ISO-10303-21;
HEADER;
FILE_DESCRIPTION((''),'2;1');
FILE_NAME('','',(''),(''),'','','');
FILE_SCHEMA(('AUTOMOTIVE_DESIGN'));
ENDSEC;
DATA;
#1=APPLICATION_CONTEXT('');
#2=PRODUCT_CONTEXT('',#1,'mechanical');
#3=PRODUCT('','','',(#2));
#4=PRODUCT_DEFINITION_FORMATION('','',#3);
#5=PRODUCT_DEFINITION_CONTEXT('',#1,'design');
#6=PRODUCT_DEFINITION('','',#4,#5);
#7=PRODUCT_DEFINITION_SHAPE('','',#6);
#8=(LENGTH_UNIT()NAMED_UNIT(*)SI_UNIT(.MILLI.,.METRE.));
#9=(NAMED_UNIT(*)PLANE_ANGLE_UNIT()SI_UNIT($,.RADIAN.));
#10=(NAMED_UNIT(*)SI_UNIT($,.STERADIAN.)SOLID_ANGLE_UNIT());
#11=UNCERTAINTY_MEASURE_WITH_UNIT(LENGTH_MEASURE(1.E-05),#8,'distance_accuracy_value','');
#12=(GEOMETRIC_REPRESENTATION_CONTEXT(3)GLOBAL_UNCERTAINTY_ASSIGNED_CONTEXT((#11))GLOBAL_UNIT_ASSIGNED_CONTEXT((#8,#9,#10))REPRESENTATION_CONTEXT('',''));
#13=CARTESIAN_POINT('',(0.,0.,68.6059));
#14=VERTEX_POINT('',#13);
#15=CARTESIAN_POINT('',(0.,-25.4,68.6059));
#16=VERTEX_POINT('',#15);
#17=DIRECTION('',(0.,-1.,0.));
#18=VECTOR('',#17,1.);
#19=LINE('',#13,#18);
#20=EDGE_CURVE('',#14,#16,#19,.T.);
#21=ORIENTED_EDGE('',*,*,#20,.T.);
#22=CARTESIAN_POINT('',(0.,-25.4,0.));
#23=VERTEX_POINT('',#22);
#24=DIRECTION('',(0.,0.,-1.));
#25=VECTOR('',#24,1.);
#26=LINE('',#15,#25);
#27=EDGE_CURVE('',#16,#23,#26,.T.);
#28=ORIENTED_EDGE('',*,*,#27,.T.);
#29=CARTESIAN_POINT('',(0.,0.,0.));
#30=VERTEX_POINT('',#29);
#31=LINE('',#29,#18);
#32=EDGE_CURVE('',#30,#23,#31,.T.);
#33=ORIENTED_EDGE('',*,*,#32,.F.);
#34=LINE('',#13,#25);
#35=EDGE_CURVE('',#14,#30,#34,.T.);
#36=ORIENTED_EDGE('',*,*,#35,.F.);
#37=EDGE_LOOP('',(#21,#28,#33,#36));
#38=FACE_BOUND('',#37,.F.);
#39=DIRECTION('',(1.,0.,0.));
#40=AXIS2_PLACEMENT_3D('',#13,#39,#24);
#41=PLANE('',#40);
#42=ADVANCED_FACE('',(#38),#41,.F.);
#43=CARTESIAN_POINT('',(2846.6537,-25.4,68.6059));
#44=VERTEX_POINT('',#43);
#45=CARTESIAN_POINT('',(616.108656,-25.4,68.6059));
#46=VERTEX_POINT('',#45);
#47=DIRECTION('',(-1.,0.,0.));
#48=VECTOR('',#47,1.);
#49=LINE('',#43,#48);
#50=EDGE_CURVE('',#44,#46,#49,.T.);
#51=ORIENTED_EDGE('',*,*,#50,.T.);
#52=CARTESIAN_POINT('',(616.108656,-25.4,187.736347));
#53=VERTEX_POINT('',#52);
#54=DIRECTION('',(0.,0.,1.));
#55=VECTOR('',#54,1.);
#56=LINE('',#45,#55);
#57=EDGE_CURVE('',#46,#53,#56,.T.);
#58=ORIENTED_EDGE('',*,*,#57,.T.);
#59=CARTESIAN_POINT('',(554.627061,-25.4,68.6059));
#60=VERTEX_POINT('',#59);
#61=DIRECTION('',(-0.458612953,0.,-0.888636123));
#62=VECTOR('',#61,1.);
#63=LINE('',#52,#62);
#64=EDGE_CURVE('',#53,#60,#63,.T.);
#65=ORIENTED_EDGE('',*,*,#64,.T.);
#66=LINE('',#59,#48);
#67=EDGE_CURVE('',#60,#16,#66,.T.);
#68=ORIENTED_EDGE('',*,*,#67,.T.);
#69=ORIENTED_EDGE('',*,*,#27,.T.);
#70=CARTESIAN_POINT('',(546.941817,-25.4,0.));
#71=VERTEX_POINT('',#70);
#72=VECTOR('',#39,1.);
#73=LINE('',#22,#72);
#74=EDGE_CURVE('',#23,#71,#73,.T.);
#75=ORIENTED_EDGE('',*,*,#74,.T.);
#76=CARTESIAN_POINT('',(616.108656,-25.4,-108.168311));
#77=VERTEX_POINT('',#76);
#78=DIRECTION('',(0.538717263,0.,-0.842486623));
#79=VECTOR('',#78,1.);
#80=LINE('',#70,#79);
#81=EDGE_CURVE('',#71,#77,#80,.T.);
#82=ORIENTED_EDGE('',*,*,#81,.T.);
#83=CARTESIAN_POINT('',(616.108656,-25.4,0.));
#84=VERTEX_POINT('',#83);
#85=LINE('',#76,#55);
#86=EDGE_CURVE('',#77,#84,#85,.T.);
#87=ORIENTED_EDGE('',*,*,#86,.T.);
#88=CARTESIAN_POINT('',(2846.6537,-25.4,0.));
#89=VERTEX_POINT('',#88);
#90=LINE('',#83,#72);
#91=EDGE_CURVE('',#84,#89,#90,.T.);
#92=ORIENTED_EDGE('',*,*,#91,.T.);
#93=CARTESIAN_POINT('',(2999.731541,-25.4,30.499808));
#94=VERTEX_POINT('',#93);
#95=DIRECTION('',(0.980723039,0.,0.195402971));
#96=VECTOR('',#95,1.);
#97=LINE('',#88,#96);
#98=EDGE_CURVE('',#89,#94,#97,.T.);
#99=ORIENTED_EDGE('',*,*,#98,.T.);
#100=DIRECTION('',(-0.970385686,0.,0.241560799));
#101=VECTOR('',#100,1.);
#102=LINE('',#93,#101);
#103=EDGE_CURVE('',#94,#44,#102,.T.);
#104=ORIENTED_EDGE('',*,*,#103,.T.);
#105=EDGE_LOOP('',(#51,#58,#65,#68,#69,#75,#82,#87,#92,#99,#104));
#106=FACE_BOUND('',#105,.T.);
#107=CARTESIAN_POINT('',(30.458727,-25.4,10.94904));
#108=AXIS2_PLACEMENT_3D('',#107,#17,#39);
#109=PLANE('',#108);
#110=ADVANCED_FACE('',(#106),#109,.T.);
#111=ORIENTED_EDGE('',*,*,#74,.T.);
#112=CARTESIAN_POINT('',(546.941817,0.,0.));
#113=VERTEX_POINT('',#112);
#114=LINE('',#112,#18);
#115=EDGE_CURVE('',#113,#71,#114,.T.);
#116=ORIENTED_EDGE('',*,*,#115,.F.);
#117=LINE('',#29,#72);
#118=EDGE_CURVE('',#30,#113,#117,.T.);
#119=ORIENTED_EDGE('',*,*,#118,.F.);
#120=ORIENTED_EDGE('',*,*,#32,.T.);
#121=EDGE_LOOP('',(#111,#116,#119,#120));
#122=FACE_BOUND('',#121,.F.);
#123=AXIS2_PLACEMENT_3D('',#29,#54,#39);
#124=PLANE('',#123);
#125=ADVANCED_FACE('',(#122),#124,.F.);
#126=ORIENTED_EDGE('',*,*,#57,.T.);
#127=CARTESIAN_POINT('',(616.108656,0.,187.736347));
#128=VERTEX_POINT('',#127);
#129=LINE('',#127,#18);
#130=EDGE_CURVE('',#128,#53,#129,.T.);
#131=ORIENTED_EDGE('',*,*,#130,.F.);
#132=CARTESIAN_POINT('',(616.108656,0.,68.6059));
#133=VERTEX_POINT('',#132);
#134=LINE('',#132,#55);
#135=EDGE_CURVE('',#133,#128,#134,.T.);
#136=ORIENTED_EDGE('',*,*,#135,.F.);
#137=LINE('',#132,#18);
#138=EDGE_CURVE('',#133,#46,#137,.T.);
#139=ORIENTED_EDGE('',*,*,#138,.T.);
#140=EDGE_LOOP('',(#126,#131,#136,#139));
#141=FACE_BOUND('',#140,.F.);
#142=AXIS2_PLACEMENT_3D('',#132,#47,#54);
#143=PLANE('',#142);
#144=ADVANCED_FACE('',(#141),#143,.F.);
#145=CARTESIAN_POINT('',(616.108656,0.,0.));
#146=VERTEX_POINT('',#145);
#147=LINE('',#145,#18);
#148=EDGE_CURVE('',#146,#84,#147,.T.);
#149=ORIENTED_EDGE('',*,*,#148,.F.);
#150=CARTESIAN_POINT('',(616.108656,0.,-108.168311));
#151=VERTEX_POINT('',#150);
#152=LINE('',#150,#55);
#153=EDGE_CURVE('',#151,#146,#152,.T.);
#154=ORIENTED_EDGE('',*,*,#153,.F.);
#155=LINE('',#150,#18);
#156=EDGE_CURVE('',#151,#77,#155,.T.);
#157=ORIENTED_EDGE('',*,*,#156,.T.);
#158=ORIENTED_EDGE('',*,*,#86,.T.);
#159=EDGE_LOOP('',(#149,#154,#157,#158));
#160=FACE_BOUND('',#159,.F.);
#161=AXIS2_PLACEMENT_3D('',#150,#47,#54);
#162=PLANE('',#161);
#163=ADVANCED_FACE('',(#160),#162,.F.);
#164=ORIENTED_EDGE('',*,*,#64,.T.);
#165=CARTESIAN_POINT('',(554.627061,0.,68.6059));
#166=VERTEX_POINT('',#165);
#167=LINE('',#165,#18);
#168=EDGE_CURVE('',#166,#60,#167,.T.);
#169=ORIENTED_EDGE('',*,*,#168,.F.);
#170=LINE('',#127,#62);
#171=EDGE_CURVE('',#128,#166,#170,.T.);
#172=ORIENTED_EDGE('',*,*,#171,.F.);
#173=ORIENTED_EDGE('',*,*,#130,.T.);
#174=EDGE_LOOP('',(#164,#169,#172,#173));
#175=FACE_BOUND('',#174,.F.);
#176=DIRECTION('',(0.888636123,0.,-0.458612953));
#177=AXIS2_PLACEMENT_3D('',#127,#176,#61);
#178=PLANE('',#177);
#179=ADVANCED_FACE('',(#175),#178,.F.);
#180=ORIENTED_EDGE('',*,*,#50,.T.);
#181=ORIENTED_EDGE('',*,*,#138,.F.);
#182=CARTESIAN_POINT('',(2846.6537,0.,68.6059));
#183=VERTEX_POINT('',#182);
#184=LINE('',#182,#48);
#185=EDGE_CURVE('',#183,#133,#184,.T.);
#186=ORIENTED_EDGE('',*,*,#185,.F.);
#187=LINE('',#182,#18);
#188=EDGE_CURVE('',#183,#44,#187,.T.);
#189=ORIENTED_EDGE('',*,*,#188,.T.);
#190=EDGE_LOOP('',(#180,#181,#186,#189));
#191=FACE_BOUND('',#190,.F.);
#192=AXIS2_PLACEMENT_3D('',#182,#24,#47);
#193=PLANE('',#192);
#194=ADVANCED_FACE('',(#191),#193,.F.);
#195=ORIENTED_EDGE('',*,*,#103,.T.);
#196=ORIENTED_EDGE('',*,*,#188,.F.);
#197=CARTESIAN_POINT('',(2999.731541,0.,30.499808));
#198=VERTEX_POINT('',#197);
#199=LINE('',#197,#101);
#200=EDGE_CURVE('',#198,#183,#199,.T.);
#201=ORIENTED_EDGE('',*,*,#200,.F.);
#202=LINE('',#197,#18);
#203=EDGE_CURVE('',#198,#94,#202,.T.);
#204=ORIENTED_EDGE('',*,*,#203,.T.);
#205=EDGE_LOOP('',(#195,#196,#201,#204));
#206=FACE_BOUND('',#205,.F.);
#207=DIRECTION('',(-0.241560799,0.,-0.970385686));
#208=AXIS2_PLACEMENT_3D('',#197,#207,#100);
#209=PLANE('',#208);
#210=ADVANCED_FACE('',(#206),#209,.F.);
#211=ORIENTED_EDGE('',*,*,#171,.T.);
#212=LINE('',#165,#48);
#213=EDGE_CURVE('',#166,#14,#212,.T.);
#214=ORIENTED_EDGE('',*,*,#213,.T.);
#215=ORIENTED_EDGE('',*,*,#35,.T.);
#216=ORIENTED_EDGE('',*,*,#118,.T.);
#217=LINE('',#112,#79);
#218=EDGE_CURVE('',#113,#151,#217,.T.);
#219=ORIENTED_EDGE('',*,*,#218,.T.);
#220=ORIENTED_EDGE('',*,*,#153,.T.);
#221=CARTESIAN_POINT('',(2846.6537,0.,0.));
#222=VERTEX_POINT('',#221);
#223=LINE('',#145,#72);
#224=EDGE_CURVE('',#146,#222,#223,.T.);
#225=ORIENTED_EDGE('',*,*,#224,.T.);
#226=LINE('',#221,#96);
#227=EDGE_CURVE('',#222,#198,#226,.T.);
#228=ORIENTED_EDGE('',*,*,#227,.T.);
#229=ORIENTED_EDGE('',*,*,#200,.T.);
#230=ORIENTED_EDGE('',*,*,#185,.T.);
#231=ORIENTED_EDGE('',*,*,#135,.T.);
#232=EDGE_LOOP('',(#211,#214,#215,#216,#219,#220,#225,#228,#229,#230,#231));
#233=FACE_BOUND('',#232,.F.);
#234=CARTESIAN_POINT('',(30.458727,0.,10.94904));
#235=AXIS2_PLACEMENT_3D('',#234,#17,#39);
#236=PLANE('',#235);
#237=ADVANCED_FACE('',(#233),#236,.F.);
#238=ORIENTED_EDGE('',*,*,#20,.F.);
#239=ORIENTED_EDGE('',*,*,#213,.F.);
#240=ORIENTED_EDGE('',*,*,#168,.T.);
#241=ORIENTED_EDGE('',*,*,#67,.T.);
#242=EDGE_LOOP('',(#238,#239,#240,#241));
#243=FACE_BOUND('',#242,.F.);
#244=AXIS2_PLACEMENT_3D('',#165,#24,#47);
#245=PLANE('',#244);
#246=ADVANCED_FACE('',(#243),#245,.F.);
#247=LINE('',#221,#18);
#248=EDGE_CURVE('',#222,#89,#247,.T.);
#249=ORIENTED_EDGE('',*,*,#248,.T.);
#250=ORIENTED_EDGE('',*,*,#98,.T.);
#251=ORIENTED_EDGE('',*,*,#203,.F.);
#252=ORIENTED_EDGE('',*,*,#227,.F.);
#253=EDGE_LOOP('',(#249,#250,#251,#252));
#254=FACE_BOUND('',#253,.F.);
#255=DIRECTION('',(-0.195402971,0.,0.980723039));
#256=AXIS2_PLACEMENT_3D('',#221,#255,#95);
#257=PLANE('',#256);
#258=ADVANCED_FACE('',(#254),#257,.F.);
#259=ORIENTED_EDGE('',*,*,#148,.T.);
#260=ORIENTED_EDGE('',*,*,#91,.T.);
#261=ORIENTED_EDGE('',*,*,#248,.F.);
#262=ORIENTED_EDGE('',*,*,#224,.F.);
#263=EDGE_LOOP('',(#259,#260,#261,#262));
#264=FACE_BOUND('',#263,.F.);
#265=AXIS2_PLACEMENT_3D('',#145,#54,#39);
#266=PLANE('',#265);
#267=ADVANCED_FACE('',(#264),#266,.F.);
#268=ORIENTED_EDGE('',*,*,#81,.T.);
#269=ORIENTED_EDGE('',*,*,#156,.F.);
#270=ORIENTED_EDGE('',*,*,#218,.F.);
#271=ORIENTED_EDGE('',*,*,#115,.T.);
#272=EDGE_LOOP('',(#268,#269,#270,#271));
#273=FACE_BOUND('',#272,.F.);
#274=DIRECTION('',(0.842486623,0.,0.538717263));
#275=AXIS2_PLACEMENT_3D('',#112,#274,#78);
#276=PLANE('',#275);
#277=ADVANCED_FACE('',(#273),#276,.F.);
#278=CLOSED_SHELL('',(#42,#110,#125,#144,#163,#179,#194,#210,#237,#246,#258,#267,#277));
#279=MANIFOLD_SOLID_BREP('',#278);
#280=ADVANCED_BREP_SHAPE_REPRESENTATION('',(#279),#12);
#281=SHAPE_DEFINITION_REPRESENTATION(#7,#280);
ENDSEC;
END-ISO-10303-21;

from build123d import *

# Parameters (mm, degrees)
F1_DEPTH = 25.4


with BuildPart() as f1:
    # F0 (on Front) → F1 (new body)
    with BuildSketch(Plane.XZ):
        Polygon((29.1372302365, 36.0923338064), (0, 0), (61.4815950394, 0), align=None)
        Polygon((0, 68.6058998108), (0, 0), (29.1372302365, 36.0923338064), align=None)
        Polygon((92.1983955783, 27.5270479194), (61.4815950394, 0), (116.8669272567, 0), align=None)
        Polygon((29.1372302365, 36.0923338064), (61.4815950394, 0), (92.1983955783, 27.5270479194), (55.3853322174, 68.6058998108), align=None)
        Polygon((55.3853322174, 68.6058998108), (0, 68.6058998108), (29.1372302365, 36.0923338064), align=None)
        Polygon((162.7058745938, 41.0788518914), (116.8669272567, 0), (199.5189379547, 0), align=None)
        Polygon((92.1983955783, 27.5270479194), (116.8669272567, 0), (162.7058745938, 41.0788518914), (138.0373429154, 68.6058998108), align=None)
        Polygon((55.3853322174, 68.6058998108), (92.1983955783, 27.5270479194), (138.0373429154, 68.6058998108), align=None)
        Polygon((242.5688602068, 38.5794500717), (199.5189379547, 0), (305.7142806531, 0), align=None)
        Polygon((162.7058745938, 41.0788518914), (199.5189379547, 0), (242.5688602068, 38.5794500717), (193.4226751328, 68.6058998108), align=None)
        Polygon((138.0373429154, 68.6058998108), (162.7058745938, 41.0788518914), (193.4226751328, 68.6058998108), align=None)
        Polygon((333.859313772, 29.9515474522), (305.7142806531, 0), (378.6340653896, 0), align=None)
        Polygon((242.5688602068, 38.5794500717), (305.7142806531, 0), (333.859313772, 29.9515474522), (276.0746858307, 68.6058998108), align=None)
        Polygon((193.4226751328, 68.6058998108), (242.5688602068, 38.5794500717), (276.0746858307, 68.6058998108), align=None)
        Polygon((411.678229068, 29.6127285742), (378.6340653896, 0), (443.1916773319, 0), align=None)
        Polygon((333.859313772, 29.9515474522), (378.6340653896, 0), (411.678229068, 29.6127285742), (370.1822459698, 68.6058998108), align=None)
        Polygon((276.0746858307, 68.6058998108), (333.859313772, 29.9515474522), (370.1822459698, 68.6058998108), align=None)
        Polygon((500.0920428106, 35.0310704605), (443.1916773319, 0), (546.9418168068, 0), align=None)
        Polygon((411.678229068, 29.6127285742), (443.1916773319, 0), (500.0920428106, 35.0310704605), (455.1898132656, 68.6058998108), align=None)
        Polygon((370.1822459698, 68.6058998108), (411.678229068, 29.6127285742), (455.1898132656, 68.6058998108), align=None)
        Polygon((583.5595663031, 36.3207815349), (546.9418168068, 0), (616.1086559296, 0), align=None)
        Polygon((616.1086559296, 0), (546.9418168068, 0), (616.1086559296, -108.1683114171), align=None)
        Polygon((500.0920428106, 35.0310704605), (546.9418168068, 0), (554.6270608902, 68.6058998108), align=None)
        Polygon((554.6270608902, 68.6058998108), (546.9418168068, 0), (583.5595663031, 36.3207815349), align=None)
        Polygon((455.1898132656, 68.6058998108), (500.0920428106, 35.0310704605), (554.6270608902, 68.6058998108), align=None)
        Polygon((583.5595663031, 36.3207815349), (616.1086559296, 0), (616.1086559296, 68.6058998108), align=None)
        Polygon((616.1086559296, 68.6058998108), (616.1086559296, 0), (2846.6536998749, 0), (2999.7315406799, 30.4998084903), (2846.6536998749, 68.6058998108), align=None)
        Polygon((616.1086559296, 187.7363473177), (554.6270608902, 68.6058998108), (616.1086559296, 68.6058998108), align=None)
        Polygon((616.1086559296, 68.6058998108), (554.6270608902, 68.6058998108), (583.5595663031, 36.3207815349), align=None)
    extrude(amount=F1_DEPTH)


solid = f1.part
